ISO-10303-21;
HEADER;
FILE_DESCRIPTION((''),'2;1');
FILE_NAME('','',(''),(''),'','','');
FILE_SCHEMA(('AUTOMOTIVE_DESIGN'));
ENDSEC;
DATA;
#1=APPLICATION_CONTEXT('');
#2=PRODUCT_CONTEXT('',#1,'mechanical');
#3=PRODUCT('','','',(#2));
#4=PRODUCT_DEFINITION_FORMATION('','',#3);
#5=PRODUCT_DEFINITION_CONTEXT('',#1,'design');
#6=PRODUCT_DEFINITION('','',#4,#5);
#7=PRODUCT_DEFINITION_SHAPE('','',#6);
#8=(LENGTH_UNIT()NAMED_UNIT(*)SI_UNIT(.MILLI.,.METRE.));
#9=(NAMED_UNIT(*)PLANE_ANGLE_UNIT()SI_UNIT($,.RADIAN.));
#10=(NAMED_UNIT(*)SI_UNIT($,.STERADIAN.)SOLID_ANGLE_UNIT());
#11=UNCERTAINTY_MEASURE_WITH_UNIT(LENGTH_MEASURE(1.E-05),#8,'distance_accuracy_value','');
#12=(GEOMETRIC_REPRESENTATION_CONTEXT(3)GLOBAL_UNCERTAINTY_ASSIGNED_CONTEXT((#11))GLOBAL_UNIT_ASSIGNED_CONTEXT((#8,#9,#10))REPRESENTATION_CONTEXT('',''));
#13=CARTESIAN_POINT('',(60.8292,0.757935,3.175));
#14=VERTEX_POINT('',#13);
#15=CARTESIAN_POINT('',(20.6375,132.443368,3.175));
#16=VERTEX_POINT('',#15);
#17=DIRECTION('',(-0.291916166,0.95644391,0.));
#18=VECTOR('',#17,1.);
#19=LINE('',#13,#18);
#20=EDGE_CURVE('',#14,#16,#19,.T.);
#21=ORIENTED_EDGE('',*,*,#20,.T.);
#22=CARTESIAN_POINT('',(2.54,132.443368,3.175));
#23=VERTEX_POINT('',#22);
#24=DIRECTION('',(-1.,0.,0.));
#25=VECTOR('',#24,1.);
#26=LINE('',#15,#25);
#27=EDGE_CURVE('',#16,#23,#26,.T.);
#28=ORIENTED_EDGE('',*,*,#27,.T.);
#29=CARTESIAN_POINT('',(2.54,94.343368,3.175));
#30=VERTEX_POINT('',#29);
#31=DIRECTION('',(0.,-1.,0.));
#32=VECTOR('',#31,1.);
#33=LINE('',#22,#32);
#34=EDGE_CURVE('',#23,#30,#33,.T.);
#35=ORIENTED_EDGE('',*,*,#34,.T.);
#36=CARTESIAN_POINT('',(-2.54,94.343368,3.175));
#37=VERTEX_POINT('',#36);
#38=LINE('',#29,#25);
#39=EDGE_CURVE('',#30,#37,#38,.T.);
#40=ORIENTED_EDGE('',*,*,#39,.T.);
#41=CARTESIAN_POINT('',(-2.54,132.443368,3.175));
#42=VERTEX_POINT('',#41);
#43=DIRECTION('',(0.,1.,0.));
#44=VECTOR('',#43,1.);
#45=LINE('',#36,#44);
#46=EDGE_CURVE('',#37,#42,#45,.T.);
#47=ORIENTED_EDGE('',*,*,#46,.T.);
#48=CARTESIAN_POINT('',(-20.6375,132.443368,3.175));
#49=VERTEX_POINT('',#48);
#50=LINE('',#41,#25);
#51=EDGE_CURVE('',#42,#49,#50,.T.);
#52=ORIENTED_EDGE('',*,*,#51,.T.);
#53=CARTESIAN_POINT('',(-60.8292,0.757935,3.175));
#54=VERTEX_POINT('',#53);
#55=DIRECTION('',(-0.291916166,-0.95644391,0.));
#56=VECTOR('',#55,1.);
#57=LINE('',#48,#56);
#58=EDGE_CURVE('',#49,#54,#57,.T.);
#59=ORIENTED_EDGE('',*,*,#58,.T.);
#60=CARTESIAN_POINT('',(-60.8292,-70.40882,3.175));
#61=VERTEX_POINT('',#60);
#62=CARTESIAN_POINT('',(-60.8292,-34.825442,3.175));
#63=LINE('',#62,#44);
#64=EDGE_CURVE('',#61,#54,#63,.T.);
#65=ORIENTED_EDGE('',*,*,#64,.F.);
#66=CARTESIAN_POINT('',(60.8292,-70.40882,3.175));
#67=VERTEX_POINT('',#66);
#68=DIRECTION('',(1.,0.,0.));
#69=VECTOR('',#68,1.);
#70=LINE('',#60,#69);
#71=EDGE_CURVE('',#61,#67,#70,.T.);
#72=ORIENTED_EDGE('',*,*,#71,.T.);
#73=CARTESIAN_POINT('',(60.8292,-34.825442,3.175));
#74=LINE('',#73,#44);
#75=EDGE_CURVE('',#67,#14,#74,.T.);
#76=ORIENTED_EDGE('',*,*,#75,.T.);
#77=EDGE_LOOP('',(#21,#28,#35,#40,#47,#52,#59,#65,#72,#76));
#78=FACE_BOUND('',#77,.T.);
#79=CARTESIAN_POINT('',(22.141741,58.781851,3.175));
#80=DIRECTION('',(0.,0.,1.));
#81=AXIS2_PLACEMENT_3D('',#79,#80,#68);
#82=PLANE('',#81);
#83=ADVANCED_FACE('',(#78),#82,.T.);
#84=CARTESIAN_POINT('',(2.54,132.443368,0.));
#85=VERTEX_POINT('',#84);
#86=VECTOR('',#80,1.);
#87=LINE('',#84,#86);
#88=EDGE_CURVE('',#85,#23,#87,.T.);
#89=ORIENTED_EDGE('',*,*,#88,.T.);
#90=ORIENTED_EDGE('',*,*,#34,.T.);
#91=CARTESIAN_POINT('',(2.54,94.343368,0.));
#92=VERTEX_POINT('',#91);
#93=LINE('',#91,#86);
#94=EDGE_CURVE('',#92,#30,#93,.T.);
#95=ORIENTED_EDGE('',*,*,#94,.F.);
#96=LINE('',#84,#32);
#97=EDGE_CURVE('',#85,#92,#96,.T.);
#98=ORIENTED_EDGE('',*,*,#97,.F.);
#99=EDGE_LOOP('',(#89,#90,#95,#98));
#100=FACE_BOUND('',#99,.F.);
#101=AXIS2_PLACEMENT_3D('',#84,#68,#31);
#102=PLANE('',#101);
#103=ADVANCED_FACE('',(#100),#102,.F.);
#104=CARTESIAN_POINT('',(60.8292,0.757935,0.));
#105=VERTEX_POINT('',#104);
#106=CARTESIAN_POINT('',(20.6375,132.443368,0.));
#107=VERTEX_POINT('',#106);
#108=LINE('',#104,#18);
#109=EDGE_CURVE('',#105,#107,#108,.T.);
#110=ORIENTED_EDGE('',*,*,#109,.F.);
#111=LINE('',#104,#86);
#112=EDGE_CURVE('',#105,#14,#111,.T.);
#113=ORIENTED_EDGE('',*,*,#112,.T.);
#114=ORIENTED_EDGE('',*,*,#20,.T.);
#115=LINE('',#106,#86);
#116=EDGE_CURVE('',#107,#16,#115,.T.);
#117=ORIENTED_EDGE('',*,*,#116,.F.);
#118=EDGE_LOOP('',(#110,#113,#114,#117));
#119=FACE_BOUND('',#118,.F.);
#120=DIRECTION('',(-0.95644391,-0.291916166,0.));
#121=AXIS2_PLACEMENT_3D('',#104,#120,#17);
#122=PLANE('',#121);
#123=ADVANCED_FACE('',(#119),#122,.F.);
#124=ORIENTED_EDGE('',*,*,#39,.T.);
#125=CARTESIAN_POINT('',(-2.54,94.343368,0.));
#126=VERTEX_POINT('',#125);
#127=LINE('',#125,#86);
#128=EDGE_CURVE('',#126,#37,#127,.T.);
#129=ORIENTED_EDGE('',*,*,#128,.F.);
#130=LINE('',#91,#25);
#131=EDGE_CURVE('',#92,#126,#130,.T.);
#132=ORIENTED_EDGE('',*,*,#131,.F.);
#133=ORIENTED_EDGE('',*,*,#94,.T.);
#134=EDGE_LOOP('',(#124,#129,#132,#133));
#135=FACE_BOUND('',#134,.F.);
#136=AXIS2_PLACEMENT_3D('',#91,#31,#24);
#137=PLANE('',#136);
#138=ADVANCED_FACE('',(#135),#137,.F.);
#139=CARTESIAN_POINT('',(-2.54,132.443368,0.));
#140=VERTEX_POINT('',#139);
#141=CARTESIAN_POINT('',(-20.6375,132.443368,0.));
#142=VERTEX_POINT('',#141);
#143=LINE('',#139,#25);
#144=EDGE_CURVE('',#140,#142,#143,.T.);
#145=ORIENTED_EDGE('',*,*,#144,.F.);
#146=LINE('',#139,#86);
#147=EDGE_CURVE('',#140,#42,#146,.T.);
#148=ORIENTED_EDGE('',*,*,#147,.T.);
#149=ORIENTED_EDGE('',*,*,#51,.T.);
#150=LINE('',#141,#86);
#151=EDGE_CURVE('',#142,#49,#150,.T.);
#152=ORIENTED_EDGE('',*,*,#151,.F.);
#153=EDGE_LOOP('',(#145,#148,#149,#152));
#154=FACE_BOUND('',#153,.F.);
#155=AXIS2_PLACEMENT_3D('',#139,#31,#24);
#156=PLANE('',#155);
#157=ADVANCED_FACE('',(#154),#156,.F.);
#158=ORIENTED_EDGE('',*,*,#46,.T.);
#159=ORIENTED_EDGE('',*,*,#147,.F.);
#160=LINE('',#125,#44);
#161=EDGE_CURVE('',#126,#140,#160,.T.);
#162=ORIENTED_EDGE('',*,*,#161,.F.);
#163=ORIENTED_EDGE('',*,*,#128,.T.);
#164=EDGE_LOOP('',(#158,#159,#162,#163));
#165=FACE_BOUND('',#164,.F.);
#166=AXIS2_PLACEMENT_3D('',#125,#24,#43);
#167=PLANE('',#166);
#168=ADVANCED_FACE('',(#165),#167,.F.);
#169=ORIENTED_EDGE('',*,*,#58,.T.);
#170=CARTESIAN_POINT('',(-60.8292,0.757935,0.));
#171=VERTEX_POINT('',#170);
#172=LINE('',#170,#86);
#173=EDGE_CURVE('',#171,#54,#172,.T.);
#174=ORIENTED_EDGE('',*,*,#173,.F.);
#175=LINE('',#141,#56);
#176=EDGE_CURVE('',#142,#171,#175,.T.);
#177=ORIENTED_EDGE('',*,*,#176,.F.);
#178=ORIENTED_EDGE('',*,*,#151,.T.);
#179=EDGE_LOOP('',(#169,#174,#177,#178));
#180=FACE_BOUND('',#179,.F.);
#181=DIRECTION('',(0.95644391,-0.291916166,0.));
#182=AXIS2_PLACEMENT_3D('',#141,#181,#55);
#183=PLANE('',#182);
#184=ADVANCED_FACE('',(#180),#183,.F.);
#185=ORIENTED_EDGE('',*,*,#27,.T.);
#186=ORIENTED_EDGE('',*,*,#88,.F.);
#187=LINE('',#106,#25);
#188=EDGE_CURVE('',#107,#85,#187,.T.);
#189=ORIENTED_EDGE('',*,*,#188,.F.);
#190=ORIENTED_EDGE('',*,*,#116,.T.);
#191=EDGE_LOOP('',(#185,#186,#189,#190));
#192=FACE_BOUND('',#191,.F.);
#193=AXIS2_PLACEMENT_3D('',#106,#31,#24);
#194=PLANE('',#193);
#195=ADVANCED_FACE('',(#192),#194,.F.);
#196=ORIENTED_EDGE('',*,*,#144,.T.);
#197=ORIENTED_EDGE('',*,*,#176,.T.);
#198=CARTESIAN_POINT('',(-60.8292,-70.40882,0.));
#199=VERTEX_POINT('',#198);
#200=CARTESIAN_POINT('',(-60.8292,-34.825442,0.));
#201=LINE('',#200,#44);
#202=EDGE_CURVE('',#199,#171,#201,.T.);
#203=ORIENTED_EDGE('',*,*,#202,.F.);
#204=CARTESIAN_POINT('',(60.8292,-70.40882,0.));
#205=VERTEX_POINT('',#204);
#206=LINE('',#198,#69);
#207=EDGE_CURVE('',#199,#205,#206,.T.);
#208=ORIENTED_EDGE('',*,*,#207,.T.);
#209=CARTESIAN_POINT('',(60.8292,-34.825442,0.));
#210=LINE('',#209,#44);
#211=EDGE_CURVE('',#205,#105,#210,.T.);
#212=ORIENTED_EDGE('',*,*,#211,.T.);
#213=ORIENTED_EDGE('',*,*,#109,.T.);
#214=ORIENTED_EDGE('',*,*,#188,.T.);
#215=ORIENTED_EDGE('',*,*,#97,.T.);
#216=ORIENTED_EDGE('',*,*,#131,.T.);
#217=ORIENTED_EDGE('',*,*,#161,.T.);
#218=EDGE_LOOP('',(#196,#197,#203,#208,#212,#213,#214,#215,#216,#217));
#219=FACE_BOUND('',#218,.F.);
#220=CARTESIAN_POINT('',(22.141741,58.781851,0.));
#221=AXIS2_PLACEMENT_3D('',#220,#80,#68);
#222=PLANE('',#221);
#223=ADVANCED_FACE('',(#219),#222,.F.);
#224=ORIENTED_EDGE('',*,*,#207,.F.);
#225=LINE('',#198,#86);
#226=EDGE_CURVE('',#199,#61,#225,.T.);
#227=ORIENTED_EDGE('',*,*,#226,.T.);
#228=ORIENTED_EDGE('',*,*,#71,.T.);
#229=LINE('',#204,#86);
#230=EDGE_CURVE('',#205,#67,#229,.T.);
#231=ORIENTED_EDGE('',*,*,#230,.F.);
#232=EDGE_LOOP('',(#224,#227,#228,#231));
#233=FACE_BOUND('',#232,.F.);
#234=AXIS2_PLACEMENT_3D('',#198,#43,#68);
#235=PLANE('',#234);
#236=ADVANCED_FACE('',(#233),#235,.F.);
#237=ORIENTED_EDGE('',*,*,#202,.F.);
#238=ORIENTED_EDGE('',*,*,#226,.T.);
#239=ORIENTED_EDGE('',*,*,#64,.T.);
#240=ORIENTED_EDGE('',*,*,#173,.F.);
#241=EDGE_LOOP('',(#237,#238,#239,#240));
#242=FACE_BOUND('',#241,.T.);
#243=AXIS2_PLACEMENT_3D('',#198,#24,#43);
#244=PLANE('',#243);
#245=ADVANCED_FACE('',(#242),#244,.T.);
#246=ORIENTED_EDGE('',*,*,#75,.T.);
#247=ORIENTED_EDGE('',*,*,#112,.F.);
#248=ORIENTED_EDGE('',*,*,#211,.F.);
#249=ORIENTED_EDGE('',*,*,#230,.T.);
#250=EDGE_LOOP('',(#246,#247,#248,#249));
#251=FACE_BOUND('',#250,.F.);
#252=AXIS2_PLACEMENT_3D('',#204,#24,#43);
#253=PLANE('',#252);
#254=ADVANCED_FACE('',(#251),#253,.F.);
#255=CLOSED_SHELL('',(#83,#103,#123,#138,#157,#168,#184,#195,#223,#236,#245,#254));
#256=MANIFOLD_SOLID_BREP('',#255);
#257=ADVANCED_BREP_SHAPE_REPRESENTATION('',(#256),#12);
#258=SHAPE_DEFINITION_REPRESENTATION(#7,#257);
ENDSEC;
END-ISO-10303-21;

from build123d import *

# Parameters (mm, degrees)
F0_W     = 60.8292
F0_H     = 71.166755
F1_DEPTH = 3.175
F0_W_2   = 2.54
F0_H_2   = 38.1
F2_DEPTH = 3.175


with BuildPart() as f1:
    # F0 (on Top) → F1 (new body)
    with BuildSketch(Plane.XY):
        Polygon((0, 94.343368), (0, 0.757935), (60.8292, 0.757935), (20.6375, 132.443368), (2.54, 132.443368), (2.54, 94.343368), align=None)
        Polygon((-2.54, 132.443368), (-20.6375, 132.443368), (-60.8292, 0.757935), (0, 0.757935), (0, 94.343368), (-2.54, 94.343368), align=None)
        with Locations((-30.4146, -34.825442)):
            Rectangle(F0_W, F0_H)
        with Locations((30.4146, -34.825442)):
            Rectangle(F0_W, F0_H)
    extrude(amount=F1_DEPTH)

    # F0 (on Top) → F2 (cut)
    with BuildSketch(Plane.XY):
        with Locations((-1.27, 113.393368)):
            Rectangle(F0_W_2, F0_H_2)
        with Locations((1.27, 113.393368)):
            Rectangle(F0_W_2, F0_H_2)
    extrude(amount=-F2_DEPTH, mode=Mode.SUBTRACT)


solid = f1.part
